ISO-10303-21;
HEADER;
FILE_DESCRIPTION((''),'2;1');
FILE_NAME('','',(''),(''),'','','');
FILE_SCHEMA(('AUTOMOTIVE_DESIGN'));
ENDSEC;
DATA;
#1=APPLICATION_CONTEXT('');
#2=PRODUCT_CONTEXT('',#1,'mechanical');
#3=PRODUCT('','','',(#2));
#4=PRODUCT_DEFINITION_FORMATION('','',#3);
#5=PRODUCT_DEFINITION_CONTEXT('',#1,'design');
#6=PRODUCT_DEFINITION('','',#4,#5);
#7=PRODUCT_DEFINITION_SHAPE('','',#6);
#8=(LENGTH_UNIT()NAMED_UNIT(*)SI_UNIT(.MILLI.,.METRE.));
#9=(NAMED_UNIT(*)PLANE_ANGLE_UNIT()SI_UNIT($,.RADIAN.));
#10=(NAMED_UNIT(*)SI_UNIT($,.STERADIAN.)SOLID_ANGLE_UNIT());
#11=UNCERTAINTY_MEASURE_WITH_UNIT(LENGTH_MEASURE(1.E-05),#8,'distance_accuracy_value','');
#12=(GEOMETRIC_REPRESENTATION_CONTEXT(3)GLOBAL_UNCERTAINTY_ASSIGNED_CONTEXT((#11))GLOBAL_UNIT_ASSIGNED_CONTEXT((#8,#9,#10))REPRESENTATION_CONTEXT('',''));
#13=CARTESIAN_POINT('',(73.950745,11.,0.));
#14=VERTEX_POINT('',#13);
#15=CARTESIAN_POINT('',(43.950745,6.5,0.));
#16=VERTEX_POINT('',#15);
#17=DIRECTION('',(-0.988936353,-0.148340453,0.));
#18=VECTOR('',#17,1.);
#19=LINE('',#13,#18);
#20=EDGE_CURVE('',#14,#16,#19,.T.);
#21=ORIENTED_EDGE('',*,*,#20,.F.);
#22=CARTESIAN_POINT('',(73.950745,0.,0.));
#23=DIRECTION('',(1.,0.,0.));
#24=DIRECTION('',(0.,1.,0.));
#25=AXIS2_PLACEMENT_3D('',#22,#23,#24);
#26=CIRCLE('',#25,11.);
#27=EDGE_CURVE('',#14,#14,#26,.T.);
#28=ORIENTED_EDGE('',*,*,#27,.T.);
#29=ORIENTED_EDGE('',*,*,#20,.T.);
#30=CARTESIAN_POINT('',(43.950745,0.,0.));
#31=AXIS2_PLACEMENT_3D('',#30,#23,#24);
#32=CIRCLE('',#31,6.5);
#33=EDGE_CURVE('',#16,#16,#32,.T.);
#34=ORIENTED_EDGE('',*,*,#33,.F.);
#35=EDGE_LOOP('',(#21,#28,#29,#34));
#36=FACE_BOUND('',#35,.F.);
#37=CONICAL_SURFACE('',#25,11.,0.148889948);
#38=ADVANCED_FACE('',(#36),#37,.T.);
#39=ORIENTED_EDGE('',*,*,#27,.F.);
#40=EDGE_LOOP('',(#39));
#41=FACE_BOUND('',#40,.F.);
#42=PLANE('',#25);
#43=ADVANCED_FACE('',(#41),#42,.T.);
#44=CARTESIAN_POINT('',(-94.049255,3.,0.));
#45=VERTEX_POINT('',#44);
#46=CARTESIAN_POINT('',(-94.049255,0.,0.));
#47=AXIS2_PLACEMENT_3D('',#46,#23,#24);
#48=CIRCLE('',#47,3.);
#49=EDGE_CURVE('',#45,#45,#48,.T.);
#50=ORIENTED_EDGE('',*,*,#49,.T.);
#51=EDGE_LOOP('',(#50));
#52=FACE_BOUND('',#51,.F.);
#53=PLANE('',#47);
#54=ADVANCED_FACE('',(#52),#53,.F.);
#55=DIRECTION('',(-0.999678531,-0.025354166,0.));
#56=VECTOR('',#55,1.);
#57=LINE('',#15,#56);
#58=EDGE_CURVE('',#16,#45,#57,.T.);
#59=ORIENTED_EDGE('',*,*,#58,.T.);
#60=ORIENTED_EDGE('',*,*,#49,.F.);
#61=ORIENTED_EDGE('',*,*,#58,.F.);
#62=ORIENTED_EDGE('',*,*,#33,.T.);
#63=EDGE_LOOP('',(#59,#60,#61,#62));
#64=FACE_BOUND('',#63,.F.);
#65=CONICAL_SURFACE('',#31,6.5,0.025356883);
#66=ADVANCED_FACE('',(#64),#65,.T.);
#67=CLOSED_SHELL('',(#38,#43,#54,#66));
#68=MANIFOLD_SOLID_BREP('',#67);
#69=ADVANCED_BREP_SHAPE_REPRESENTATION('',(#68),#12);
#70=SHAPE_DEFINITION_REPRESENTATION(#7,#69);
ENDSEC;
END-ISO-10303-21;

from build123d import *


with BuildPart() as f1:
    # F0 (on Top) → F1 (revolve)
    with BuildSketch(Plane.XY):
        Polygon((-94.049255, 3), (-94.049255, 0), (43.950745, 0), (43.950745, 6.5), align=None)
        Polygon((43.950745, 6.5), (43.950745, 0), (73.950745, 0), (73.950745, 11), align=None)
    revolve(axis=Axis((-7.657569, 0, 0), (1, 0, 0)))


solid = f1.part
